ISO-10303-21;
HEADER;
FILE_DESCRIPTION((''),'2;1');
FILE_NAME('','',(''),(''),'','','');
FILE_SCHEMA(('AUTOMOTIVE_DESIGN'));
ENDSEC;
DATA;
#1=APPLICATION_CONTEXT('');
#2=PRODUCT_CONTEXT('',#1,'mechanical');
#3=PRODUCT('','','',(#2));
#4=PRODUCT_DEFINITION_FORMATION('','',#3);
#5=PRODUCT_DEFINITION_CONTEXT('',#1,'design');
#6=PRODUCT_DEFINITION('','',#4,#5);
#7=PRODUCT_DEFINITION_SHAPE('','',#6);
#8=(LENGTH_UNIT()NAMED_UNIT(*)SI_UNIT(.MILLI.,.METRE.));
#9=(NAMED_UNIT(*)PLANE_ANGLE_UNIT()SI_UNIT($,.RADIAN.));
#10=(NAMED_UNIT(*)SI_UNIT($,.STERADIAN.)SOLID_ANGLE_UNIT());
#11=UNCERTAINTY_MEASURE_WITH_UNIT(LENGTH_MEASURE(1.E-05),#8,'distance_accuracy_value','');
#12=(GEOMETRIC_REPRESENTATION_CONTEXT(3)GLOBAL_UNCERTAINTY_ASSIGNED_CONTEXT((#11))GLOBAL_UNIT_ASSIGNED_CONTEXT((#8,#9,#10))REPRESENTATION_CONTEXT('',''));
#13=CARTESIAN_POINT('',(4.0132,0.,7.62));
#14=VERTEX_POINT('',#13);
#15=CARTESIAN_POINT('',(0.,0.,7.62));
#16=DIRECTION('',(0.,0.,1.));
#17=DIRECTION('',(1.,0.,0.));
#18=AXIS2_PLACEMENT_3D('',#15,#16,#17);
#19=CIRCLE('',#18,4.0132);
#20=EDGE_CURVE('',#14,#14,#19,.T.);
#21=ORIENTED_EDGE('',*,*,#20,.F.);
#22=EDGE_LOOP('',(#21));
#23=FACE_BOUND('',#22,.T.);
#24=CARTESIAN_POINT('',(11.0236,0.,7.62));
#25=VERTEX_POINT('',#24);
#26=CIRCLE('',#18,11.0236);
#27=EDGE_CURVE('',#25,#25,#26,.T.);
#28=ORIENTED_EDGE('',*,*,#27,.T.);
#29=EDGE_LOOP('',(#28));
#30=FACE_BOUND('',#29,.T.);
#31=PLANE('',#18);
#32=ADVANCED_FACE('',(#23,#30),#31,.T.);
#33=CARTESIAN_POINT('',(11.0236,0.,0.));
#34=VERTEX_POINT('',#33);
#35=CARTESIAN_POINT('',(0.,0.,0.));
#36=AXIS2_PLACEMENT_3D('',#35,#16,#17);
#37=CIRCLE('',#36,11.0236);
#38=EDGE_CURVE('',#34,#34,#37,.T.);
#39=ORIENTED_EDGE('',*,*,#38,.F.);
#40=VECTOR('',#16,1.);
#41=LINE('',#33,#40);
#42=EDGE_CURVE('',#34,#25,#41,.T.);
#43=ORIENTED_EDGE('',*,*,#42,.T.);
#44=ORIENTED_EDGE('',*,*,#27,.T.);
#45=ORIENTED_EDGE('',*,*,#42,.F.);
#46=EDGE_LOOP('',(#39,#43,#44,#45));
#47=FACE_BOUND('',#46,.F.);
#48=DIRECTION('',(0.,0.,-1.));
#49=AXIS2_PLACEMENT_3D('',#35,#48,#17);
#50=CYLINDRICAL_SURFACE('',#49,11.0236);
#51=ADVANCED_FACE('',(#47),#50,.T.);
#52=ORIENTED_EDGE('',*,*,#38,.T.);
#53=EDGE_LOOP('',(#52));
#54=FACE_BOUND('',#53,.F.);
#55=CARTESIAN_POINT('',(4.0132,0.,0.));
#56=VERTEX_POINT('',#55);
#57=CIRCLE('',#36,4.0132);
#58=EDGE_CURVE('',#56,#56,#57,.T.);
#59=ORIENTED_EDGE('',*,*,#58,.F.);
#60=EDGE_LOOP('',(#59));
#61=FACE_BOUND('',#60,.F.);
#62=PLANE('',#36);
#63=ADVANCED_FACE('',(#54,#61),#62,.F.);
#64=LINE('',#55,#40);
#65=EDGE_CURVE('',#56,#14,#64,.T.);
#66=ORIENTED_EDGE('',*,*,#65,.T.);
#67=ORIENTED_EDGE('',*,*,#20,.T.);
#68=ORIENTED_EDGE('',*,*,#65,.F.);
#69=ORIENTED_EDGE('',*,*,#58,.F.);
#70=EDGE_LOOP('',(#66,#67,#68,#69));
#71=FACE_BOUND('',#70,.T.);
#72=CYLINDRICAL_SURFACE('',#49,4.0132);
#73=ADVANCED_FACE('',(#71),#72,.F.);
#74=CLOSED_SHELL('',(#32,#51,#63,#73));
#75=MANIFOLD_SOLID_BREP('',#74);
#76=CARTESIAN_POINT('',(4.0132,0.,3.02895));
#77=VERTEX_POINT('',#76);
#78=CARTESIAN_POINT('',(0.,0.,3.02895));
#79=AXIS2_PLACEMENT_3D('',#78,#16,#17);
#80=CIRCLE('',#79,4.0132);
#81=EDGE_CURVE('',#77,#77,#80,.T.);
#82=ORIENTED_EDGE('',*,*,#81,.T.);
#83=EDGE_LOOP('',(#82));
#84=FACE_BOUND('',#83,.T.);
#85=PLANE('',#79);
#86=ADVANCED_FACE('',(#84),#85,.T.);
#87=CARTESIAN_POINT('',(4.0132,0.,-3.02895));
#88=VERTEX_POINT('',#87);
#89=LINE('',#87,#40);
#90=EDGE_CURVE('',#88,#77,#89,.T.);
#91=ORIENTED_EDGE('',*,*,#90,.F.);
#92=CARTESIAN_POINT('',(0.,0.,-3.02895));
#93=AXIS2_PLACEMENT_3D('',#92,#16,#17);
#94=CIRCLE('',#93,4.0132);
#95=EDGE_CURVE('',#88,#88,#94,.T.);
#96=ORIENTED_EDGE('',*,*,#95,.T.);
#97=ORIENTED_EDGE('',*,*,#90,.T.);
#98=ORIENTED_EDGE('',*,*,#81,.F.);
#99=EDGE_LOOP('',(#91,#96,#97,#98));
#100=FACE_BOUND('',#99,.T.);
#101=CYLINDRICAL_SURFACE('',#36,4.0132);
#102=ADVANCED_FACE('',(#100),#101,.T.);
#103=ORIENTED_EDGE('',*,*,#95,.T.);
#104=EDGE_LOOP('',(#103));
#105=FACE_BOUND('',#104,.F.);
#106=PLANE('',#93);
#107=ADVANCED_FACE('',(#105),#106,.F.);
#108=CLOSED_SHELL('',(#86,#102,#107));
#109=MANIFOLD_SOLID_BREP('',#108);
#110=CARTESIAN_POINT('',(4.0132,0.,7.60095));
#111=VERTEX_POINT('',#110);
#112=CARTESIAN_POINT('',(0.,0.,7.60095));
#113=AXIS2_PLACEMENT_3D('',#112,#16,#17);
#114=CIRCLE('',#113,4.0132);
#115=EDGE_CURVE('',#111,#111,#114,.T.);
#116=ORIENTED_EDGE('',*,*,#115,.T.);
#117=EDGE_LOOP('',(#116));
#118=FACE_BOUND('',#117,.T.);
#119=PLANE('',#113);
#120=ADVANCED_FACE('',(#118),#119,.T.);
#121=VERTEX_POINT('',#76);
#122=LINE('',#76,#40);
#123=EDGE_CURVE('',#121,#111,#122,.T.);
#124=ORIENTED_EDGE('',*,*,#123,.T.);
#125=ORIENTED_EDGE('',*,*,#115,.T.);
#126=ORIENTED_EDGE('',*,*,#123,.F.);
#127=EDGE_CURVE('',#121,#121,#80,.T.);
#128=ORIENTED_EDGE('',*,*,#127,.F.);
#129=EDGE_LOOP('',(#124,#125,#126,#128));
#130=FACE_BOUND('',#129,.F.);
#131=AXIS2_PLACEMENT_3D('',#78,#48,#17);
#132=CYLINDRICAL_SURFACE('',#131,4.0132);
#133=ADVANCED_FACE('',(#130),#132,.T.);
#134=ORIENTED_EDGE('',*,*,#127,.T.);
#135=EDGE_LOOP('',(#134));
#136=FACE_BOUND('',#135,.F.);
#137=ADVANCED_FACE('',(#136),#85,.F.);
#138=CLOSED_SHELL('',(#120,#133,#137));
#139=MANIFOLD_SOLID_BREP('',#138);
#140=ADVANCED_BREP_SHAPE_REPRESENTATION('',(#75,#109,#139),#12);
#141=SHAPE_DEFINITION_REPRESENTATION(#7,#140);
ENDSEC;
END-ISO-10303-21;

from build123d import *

# Parameters (mm, degrees)
F0_R     = 4.0132
F1_DEPTH = 3.02895
F0_R_2   = 11.0236
F2_DEPTH = 7.62
F3_R     = 4.0132
F4_DEPTH = 4.572


with BuildPart() as f1:
    # F0 (on Top) → F1 (new body, symmetric)
    with BuildSketch(Plane.XY):
        Circle(F0_R)
    extrude(amount=F1_DEPTH, both=True)


with BuildPart() as f2:
    # F0 (on Top) → F2 (new body)
    with BuildSketch(Plane.XY):
        Circle(F0_R_2)
        Circle(F0_R, mode=Mode.SUBTRACT)
    extrude(amount=F2_DEPTH)


with BuildPart() as f4:
    # F3 (on face) → F4 (new body)
    with BuildSketch(Plane.XY.offset(3.02895)):
        Circle(F3_R)
    extrude(amount=F4_DEPTH)


solid = Compound([f1.part, f2.part, f4.part])
